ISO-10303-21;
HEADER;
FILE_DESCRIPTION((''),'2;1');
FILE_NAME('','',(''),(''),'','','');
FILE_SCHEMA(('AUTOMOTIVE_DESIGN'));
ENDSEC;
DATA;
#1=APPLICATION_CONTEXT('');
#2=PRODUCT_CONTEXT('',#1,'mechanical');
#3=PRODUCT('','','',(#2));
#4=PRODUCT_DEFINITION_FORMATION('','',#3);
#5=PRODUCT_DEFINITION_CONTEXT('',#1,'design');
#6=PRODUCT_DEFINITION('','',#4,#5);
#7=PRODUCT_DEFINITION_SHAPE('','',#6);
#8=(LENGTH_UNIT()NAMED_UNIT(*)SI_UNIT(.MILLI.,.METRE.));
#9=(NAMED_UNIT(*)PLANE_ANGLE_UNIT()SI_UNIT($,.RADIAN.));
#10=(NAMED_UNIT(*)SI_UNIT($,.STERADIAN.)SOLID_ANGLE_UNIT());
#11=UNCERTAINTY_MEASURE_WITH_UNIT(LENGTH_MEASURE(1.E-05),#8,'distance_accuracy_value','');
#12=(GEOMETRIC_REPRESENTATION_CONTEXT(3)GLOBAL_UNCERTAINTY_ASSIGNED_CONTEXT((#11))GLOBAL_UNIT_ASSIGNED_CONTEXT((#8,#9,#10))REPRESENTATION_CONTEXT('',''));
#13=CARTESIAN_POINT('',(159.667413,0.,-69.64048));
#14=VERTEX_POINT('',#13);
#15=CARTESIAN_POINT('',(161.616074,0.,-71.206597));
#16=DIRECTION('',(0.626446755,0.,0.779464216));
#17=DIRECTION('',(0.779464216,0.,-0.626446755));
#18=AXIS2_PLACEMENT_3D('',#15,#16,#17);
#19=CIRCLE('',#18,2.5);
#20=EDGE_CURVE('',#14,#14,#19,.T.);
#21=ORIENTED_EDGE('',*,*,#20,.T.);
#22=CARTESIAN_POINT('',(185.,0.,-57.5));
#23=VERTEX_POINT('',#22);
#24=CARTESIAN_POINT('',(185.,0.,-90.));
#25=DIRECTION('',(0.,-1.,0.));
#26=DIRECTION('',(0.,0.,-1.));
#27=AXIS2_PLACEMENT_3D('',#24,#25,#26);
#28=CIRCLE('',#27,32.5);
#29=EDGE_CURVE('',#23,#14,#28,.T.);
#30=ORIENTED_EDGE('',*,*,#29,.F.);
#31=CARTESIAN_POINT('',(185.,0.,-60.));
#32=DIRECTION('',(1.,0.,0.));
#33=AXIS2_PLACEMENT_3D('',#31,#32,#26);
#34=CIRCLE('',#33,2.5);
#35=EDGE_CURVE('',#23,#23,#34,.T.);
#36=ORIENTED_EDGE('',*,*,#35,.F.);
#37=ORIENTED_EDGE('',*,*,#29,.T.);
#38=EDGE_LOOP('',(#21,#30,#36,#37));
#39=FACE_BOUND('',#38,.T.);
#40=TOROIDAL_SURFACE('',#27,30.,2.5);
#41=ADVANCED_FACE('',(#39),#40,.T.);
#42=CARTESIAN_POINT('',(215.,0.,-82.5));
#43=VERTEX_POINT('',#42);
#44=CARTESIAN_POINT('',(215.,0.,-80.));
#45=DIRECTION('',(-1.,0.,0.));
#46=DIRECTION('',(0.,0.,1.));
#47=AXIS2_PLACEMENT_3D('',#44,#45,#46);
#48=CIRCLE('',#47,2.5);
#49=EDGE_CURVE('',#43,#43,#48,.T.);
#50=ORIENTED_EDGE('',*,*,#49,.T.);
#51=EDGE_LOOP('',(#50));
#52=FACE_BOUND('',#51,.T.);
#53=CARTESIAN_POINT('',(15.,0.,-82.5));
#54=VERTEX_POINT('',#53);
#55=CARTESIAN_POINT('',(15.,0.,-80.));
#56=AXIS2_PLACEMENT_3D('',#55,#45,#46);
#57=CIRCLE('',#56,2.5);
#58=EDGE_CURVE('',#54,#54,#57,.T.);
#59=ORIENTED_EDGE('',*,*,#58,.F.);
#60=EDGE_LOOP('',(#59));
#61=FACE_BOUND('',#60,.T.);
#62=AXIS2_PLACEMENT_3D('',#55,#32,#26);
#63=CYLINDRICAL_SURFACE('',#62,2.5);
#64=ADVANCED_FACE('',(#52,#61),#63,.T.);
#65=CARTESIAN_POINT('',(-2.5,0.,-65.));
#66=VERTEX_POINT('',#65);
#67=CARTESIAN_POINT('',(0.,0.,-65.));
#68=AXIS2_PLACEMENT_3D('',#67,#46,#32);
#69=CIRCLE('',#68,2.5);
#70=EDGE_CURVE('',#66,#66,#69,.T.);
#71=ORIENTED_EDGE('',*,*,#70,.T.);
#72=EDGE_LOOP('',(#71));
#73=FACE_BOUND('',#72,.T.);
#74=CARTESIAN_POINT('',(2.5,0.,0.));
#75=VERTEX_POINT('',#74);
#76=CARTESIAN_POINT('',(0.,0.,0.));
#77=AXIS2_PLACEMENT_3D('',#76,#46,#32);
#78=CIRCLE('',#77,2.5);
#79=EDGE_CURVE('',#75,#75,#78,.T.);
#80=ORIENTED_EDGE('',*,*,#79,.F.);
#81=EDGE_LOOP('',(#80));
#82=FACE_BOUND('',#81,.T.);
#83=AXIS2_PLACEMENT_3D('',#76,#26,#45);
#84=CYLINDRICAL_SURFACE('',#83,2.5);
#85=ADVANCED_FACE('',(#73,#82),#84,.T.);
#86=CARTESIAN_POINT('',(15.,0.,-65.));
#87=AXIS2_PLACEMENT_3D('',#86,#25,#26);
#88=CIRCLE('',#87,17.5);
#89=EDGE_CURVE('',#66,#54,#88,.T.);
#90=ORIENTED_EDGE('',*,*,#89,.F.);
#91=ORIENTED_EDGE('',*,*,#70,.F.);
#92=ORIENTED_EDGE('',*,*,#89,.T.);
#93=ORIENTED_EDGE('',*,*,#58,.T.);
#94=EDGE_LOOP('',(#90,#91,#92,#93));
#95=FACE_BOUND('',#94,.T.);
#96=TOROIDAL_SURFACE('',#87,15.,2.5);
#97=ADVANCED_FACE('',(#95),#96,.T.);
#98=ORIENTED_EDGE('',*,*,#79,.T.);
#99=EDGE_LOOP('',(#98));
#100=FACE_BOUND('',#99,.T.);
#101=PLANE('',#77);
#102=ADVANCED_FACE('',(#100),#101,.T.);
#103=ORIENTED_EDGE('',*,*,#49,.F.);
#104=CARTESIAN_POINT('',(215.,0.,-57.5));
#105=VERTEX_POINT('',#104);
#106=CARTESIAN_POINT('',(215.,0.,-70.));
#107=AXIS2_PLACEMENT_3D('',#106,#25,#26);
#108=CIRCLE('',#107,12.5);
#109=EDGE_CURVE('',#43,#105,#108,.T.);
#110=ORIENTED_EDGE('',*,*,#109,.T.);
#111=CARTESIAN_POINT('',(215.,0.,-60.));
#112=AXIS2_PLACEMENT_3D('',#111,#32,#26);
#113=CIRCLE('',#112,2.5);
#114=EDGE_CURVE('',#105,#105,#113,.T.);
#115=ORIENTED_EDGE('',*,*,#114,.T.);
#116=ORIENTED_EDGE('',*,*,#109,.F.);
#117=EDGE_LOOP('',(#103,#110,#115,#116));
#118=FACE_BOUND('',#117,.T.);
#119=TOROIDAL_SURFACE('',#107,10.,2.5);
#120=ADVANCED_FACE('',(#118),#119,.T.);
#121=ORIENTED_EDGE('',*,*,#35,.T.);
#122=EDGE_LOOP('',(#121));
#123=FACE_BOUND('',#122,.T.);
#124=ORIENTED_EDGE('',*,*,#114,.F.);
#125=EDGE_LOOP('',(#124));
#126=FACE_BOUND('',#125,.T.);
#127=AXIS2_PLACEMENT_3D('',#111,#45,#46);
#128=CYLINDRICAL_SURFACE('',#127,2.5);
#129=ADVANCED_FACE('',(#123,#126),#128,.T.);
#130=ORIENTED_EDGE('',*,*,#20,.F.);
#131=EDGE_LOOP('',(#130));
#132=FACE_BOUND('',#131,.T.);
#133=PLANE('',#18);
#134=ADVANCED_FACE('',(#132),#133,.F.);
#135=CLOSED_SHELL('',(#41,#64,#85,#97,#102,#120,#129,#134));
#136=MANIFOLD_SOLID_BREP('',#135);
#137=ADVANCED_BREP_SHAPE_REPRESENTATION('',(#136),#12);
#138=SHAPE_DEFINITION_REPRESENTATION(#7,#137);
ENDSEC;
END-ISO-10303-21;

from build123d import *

# Parameters (mm, degrees)
SKETCH2_R = 2.5


with BuildPart() as part:
    # Sweep1: sweep along a path in Sketch1
    with BuildLine(Plane(origin=(0, 0, 0), x_dir=(1, 0, 0), z_dir=(0, 1, 0))) as sweep1_path:
        Line((0, 0), (0, 65))
        ThreePointArc((0, 65), (4.393398282, 75.606601718), (15, 80))
        Line((15, 80), (215, 80))
        ThreePointArc((215, 80), (225, 70), (215, 60))
        Line((215, 60), (185, 60))
        ThreePointArc((185, 60), (172.034701688, 62.946330384), (161.616073533, 71.206597355))
    # Sketch2 → Sweep1 (sweep)
    with BuildSketch(Plane.XY):
        Circle(SKETCH2_R)
    sweep(path=sweep1_path.line)


solid = part.part
